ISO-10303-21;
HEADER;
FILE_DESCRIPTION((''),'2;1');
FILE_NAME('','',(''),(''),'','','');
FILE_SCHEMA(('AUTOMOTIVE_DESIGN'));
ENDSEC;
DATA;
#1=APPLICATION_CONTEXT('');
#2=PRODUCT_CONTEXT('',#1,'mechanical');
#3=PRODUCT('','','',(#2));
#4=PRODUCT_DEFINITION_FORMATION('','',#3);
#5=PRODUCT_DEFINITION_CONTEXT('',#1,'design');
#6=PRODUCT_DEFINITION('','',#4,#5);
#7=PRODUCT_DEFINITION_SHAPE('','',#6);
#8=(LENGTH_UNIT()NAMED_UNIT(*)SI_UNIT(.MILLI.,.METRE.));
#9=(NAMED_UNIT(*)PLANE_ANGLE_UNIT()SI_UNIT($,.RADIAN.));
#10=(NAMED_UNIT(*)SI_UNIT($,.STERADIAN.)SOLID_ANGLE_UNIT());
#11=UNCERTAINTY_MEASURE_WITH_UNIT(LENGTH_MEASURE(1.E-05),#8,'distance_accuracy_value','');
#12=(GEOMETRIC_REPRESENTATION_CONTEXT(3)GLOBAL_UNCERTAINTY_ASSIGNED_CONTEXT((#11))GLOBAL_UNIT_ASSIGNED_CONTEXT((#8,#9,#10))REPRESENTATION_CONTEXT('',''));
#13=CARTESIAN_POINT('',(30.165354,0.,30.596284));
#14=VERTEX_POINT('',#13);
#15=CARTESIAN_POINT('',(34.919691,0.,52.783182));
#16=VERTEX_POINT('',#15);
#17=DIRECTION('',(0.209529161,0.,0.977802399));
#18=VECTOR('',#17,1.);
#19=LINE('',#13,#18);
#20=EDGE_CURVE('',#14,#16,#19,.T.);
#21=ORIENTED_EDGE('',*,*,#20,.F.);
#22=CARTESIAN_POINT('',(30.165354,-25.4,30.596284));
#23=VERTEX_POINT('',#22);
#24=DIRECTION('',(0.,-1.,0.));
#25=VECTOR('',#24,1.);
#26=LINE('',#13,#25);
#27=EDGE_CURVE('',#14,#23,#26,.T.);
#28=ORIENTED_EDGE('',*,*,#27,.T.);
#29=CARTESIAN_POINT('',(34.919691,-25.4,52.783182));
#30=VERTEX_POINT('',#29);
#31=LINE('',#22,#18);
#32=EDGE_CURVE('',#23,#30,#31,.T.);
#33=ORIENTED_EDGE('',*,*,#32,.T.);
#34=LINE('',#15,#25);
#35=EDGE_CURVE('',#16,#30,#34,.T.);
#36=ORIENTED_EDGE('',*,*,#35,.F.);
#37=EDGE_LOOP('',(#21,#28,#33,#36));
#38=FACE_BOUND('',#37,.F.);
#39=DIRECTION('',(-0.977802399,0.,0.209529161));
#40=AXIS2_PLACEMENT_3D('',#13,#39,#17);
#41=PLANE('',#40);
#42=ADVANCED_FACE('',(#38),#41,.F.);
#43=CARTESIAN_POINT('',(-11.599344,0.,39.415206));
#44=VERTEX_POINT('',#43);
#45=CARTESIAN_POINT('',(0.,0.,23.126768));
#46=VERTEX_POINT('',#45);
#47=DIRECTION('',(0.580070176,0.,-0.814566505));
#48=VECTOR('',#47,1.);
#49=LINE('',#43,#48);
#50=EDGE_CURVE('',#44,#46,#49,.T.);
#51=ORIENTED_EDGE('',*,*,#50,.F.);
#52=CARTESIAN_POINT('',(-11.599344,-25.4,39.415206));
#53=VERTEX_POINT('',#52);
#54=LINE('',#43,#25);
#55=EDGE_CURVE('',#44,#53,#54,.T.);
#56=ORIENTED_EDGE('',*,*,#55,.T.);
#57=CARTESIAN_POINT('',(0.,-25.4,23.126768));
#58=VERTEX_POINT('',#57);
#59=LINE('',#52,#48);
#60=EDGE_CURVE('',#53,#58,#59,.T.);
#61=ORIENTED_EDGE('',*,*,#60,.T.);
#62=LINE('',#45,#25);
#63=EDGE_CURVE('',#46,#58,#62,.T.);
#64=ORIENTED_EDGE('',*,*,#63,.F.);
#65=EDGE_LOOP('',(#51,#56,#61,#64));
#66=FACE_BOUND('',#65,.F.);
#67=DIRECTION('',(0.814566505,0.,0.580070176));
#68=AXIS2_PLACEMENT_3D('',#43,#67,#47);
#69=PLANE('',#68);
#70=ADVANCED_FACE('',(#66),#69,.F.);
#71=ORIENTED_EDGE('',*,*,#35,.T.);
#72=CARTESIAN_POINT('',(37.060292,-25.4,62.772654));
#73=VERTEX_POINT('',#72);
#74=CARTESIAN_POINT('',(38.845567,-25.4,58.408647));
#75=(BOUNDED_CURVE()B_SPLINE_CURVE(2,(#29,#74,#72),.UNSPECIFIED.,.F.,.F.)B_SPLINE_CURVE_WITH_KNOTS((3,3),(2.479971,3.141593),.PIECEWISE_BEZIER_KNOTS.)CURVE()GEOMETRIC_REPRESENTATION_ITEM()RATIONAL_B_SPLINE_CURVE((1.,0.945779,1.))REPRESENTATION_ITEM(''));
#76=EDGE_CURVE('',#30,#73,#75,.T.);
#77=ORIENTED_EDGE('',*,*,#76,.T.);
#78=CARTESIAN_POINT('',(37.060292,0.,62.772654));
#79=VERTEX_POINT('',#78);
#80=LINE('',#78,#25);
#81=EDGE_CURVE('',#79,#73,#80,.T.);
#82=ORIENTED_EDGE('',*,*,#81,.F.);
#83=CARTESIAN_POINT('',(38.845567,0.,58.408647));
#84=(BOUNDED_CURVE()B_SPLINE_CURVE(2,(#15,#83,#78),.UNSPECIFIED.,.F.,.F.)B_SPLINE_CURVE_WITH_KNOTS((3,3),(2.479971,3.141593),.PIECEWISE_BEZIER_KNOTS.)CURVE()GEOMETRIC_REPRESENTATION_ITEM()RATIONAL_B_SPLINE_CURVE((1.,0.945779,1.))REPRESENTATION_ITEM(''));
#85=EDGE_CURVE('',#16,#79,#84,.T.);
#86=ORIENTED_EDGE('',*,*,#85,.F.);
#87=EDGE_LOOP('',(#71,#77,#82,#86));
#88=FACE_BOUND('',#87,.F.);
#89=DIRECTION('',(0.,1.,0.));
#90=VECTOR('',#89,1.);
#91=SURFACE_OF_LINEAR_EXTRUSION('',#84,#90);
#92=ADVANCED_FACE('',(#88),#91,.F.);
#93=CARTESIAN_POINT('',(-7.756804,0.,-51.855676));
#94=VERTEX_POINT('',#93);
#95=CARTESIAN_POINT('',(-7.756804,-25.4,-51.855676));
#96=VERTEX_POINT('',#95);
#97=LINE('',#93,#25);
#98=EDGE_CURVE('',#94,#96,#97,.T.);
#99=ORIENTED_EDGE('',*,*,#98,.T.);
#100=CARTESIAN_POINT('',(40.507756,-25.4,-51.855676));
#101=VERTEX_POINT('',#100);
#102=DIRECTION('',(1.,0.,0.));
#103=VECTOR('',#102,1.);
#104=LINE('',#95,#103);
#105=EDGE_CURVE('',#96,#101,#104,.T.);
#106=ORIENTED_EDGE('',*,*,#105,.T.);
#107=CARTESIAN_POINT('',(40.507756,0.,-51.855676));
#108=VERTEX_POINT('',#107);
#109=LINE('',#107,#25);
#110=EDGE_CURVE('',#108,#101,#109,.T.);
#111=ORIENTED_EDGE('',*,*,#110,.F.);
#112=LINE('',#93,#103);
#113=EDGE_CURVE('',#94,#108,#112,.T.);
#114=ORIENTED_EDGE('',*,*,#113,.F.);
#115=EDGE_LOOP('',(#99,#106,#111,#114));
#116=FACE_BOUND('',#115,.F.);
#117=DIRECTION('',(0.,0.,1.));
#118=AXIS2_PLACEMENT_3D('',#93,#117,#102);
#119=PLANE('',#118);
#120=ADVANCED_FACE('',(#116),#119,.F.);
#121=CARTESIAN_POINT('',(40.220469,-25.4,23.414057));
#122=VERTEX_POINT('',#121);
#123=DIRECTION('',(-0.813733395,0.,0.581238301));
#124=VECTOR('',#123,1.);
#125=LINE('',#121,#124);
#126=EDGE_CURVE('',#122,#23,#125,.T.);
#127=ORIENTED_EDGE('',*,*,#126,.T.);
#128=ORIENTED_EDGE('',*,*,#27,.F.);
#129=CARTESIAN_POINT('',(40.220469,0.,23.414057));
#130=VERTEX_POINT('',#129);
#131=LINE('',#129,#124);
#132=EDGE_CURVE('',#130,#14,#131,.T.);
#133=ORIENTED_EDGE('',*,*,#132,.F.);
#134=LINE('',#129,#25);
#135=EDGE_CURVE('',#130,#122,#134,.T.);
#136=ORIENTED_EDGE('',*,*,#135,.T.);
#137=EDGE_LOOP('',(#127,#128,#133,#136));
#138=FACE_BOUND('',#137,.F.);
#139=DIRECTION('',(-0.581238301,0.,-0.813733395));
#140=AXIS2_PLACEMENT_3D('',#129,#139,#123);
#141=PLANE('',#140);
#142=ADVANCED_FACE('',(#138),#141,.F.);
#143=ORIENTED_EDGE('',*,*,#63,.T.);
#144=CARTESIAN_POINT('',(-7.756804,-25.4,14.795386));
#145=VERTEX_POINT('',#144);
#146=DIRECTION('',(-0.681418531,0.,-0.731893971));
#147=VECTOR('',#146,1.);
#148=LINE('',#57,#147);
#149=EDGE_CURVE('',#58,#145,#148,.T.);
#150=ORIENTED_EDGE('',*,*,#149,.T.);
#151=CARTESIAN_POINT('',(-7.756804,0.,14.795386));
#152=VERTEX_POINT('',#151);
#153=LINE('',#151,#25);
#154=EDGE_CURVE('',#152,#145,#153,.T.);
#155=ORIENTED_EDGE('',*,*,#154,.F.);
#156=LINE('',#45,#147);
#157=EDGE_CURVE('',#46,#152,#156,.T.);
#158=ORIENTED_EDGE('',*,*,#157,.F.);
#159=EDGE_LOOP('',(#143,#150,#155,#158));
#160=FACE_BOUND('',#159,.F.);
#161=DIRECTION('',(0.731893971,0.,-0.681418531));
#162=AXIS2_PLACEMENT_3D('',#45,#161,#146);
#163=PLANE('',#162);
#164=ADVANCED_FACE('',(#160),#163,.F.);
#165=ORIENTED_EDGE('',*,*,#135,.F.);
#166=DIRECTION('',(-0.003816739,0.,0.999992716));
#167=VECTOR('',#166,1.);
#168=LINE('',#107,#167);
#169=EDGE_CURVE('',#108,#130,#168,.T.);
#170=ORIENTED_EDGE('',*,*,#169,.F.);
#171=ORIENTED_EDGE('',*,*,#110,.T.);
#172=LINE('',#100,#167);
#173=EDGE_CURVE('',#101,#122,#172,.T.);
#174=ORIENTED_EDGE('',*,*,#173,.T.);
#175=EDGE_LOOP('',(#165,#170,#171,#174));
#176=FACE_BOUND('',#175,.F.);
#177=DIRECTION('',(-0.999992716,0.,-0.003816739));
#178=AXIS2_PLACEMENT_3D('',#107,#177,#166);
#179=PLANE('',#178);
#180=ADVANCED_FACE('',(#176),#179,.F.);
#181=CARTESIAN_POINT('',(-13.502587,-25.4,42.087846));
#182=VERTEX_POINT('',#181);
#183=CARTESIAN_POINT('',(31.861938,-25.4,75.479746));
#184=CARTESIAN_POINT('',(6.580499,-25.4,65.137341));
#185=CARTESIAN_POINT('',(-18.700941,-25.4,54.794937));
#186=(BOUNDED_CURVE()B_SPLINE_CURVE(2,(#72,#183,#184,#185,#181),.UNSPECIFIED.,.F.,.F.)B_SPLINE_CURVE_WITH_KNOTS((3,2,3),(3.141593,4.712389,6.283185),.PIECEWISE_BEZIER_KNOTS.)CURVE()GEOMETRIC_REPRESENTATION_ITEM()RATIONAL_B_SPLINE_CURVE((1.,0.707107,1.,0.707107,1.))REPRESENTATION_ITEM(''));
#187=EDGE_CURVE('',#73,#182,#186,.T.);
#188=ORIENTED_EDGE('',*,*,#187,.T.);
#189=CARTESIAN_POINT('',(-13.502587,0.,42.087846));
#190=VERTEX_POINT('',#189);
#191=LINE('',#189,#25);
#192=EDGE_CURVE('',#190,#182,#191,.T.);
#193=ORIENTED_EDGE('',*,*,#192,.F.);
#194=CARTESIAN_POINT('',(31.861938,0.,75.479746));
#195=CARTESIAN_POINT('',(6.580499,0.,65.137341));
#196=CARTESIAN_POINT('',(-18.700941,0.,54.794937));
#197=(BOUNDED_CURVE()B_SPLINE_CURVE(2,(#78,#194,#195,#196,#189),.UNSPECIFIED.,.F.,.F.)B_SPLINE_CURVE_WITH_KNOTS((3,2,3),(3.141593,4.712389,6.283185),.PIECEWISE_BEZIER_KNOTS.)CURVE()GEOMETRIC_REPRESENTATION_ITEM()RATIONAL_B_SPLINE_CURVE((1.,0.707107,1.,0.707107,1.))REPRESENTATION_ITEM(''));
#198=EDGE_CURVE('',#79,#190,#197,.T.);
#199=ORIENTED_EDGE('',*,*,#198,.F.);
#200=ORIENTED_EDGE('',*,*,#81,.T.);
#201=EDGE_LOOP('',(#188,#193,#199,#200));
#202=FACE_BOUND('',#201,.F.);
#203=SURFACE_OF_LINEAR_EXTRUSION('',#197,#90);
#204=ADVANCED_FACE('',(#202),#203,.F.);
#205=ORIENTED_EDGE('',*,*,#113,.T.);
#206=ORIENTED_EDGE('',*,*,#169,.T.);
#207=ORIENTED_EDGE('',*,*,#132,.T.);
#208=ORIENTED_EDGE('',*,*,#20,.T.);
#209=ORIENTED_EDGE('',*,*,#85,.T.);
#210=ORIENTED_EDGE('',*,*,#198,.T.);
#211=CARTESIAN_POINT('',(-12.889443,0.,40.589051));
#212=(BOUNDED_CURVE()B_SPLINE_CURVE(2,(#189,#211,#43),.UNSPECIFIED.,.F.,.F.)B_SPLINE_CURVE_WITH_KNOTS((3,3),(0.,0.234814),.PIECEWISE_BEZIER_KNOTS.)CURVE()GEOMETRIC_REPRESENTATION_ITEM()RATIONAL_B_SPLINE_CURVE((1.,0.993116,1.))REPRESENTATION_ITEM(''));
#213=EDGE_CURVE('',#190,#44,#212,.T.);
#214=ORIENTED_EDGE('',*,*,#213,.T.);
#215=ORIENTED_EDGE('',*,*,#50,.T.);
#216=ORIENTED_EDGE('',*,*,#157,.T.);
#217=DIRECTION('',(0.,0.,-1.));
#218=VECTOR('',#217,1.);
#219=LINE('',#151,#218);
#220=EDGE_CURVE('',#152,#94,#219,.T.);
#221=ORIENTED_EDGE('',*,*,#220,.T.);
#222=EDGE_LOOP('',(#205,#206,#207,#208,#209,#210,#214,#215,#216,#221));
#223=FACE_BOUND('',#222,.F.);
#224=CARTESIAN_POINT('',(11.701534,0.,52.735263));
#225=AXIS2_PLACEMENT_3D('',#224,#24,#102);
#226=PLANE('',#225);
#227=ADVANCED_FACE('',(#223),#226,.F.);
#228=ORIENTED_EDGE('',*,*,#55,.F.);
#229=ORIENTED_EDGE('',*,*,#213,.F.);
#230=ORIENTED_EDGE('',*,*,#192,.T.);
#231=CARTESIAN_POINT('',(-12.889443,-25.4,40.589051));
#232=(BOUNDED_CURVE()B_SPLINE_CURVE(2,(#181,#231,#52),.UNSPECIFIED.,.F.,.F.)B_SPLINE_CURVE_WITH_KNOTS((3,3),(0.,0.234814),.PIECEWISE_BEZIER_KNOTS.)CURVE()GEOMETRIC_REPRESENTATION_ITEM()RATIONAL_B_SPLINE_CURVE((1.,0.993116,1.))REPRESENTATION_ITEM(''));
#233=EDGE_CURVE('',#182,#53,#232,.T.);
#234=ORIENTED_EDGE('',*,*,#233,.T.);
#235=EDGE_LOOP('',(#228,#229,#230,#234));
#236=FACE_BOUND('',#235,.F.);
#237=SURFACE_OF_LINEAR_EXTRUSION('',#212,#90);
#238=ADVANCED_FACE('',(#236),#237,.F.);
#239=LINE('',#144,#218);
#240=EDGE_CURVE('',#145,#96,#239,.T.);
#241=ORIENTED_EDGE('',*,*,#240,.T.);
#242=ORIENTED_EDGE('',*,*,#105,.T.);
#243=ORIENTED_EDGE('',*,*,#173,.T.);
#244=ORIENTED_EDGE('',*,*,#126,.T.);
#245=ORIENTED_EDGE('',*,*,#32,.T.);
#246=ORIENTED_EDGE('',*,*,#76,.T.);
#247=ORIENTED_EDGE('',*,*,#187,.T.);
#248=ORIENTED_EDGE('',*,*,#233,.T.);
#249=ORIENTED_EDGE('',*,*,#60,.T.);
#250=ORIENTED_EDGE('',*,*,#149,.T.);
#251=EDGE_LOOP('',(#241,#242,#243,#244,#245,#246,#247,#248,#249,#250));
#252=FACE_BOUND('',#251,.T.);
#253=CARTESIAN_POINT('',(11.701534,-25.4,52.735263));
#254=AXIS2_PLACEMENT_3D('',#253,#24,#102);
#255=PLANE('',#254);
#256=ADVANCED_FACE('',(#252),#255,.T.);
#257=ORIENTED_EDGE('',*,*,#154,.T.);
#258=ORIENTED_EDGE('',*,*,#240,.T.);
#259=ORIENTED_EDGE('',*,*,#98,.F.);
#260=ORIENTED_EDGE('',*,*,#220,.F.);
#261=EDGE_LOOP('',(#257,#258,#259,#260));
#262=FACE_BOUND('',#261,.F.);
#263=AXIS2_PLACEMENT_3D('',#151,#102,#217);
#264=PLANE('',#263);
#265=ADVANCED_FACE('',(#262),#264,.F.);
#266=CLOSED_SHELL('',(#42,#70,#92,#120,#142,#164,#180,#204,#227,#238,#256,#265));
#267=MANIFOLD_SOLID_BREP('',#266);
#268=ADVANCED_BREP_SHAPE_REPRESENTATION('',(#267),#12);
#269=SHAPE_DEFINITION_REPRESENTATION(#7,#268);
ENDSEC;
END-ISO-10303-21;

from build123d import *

# Parameters (mm, degrees)
F1_DEPTH = 25.4


with BuildPart() as f1:
    # F0 (on Front) → F1 (new body)
    with BuildSketch(Plane.XZ):
        with BuildLine():
            Line((34.919691, 52.783182), (37.060292, 62.772654))
            add(Edge.make_bspline(
                [(37.060292, 62.772654), (31.861938, 75.479746), (6.580499, 65.137341), (-18.700941, 54.794937), (-13.502587, 42.087846)],
                knots=[3.141593, 3.141593, 3.141593, 4.712389, 4.712389, 6.283185, 6.283185, 6.283185], degree=2, weights=[1, 0.707107, 1, 0.707107, 1]))
            Line((-13.502587, 42.087846), (-11.599344, 39.415206))
            add(Edge.make_bspline(
                [(-11.599344, 39.415206), (11.14691, 18.718703), (34.919691, 52.783182)],
                knots=[0.234814, 0.234814, 0.234814, 2.479971, 2.479971, 2.479971], degree=2, weights=[1, 0.43336, 1]))
        make_face()
        with BuildLine():
            add(Edge.make_bspline(
                [(34.919691, 52.783182), (38.845567, 58.408647), (37.060292, 62.772654)],
                knots=[2.479971, 2.479971, 2.479971, 3.141593, 3.141593, 3.141593], degree=2, weights=[1, 0.945779, 1]))
            Line((37.060292, 62.772654), (34.919691, 52.783182))
        make_face()
        with BuildLine():
            Line((-11.599344, 39.415206), (-13.502587, 42.087846))
            add(Edge.make_bspline(
                [(-13.502587, 42.087846), (-12.889443, 40.589051), (-11.599344, 39.415206)],
                knots=[0, 0, 0, 0.234814, 0.234814, 0.234814], degree=2, weights=[1, 0.993116, 1]))
        make_face()
        with BuildLine():
            Line((30.165354, 30.596284), (34.919691, 52.783182))
            add(Edge.make_bspline(
                [(-11.599344, 39.415206), (11.14691, 18.718703), (34.919691, 52.783182)],
                knots=[0.234814, 0.234814, 0.234814, 2.479971, 2.479971, 2.479971], degree=2, weights=[1, 0.43336, 1]))
            Line((-11.599344, 39.415206), (0, 23.126768))
            Line((0, 23.126768), (-7.756804, 14.795386))
            Line((-7.756804, 14.795386), (-7.756804, -51.855676))
            Line((-7.756804, -51.855676), (40.507756, -51.855676))
            Line((40.507756, -51.855676), (40.220469, 23.414057))
            Line((40.220469, 23.414057), (30.165354, 30.596284))
        make_face()
    extrude(amount=F1_DEPTH)


solid = f1.part
